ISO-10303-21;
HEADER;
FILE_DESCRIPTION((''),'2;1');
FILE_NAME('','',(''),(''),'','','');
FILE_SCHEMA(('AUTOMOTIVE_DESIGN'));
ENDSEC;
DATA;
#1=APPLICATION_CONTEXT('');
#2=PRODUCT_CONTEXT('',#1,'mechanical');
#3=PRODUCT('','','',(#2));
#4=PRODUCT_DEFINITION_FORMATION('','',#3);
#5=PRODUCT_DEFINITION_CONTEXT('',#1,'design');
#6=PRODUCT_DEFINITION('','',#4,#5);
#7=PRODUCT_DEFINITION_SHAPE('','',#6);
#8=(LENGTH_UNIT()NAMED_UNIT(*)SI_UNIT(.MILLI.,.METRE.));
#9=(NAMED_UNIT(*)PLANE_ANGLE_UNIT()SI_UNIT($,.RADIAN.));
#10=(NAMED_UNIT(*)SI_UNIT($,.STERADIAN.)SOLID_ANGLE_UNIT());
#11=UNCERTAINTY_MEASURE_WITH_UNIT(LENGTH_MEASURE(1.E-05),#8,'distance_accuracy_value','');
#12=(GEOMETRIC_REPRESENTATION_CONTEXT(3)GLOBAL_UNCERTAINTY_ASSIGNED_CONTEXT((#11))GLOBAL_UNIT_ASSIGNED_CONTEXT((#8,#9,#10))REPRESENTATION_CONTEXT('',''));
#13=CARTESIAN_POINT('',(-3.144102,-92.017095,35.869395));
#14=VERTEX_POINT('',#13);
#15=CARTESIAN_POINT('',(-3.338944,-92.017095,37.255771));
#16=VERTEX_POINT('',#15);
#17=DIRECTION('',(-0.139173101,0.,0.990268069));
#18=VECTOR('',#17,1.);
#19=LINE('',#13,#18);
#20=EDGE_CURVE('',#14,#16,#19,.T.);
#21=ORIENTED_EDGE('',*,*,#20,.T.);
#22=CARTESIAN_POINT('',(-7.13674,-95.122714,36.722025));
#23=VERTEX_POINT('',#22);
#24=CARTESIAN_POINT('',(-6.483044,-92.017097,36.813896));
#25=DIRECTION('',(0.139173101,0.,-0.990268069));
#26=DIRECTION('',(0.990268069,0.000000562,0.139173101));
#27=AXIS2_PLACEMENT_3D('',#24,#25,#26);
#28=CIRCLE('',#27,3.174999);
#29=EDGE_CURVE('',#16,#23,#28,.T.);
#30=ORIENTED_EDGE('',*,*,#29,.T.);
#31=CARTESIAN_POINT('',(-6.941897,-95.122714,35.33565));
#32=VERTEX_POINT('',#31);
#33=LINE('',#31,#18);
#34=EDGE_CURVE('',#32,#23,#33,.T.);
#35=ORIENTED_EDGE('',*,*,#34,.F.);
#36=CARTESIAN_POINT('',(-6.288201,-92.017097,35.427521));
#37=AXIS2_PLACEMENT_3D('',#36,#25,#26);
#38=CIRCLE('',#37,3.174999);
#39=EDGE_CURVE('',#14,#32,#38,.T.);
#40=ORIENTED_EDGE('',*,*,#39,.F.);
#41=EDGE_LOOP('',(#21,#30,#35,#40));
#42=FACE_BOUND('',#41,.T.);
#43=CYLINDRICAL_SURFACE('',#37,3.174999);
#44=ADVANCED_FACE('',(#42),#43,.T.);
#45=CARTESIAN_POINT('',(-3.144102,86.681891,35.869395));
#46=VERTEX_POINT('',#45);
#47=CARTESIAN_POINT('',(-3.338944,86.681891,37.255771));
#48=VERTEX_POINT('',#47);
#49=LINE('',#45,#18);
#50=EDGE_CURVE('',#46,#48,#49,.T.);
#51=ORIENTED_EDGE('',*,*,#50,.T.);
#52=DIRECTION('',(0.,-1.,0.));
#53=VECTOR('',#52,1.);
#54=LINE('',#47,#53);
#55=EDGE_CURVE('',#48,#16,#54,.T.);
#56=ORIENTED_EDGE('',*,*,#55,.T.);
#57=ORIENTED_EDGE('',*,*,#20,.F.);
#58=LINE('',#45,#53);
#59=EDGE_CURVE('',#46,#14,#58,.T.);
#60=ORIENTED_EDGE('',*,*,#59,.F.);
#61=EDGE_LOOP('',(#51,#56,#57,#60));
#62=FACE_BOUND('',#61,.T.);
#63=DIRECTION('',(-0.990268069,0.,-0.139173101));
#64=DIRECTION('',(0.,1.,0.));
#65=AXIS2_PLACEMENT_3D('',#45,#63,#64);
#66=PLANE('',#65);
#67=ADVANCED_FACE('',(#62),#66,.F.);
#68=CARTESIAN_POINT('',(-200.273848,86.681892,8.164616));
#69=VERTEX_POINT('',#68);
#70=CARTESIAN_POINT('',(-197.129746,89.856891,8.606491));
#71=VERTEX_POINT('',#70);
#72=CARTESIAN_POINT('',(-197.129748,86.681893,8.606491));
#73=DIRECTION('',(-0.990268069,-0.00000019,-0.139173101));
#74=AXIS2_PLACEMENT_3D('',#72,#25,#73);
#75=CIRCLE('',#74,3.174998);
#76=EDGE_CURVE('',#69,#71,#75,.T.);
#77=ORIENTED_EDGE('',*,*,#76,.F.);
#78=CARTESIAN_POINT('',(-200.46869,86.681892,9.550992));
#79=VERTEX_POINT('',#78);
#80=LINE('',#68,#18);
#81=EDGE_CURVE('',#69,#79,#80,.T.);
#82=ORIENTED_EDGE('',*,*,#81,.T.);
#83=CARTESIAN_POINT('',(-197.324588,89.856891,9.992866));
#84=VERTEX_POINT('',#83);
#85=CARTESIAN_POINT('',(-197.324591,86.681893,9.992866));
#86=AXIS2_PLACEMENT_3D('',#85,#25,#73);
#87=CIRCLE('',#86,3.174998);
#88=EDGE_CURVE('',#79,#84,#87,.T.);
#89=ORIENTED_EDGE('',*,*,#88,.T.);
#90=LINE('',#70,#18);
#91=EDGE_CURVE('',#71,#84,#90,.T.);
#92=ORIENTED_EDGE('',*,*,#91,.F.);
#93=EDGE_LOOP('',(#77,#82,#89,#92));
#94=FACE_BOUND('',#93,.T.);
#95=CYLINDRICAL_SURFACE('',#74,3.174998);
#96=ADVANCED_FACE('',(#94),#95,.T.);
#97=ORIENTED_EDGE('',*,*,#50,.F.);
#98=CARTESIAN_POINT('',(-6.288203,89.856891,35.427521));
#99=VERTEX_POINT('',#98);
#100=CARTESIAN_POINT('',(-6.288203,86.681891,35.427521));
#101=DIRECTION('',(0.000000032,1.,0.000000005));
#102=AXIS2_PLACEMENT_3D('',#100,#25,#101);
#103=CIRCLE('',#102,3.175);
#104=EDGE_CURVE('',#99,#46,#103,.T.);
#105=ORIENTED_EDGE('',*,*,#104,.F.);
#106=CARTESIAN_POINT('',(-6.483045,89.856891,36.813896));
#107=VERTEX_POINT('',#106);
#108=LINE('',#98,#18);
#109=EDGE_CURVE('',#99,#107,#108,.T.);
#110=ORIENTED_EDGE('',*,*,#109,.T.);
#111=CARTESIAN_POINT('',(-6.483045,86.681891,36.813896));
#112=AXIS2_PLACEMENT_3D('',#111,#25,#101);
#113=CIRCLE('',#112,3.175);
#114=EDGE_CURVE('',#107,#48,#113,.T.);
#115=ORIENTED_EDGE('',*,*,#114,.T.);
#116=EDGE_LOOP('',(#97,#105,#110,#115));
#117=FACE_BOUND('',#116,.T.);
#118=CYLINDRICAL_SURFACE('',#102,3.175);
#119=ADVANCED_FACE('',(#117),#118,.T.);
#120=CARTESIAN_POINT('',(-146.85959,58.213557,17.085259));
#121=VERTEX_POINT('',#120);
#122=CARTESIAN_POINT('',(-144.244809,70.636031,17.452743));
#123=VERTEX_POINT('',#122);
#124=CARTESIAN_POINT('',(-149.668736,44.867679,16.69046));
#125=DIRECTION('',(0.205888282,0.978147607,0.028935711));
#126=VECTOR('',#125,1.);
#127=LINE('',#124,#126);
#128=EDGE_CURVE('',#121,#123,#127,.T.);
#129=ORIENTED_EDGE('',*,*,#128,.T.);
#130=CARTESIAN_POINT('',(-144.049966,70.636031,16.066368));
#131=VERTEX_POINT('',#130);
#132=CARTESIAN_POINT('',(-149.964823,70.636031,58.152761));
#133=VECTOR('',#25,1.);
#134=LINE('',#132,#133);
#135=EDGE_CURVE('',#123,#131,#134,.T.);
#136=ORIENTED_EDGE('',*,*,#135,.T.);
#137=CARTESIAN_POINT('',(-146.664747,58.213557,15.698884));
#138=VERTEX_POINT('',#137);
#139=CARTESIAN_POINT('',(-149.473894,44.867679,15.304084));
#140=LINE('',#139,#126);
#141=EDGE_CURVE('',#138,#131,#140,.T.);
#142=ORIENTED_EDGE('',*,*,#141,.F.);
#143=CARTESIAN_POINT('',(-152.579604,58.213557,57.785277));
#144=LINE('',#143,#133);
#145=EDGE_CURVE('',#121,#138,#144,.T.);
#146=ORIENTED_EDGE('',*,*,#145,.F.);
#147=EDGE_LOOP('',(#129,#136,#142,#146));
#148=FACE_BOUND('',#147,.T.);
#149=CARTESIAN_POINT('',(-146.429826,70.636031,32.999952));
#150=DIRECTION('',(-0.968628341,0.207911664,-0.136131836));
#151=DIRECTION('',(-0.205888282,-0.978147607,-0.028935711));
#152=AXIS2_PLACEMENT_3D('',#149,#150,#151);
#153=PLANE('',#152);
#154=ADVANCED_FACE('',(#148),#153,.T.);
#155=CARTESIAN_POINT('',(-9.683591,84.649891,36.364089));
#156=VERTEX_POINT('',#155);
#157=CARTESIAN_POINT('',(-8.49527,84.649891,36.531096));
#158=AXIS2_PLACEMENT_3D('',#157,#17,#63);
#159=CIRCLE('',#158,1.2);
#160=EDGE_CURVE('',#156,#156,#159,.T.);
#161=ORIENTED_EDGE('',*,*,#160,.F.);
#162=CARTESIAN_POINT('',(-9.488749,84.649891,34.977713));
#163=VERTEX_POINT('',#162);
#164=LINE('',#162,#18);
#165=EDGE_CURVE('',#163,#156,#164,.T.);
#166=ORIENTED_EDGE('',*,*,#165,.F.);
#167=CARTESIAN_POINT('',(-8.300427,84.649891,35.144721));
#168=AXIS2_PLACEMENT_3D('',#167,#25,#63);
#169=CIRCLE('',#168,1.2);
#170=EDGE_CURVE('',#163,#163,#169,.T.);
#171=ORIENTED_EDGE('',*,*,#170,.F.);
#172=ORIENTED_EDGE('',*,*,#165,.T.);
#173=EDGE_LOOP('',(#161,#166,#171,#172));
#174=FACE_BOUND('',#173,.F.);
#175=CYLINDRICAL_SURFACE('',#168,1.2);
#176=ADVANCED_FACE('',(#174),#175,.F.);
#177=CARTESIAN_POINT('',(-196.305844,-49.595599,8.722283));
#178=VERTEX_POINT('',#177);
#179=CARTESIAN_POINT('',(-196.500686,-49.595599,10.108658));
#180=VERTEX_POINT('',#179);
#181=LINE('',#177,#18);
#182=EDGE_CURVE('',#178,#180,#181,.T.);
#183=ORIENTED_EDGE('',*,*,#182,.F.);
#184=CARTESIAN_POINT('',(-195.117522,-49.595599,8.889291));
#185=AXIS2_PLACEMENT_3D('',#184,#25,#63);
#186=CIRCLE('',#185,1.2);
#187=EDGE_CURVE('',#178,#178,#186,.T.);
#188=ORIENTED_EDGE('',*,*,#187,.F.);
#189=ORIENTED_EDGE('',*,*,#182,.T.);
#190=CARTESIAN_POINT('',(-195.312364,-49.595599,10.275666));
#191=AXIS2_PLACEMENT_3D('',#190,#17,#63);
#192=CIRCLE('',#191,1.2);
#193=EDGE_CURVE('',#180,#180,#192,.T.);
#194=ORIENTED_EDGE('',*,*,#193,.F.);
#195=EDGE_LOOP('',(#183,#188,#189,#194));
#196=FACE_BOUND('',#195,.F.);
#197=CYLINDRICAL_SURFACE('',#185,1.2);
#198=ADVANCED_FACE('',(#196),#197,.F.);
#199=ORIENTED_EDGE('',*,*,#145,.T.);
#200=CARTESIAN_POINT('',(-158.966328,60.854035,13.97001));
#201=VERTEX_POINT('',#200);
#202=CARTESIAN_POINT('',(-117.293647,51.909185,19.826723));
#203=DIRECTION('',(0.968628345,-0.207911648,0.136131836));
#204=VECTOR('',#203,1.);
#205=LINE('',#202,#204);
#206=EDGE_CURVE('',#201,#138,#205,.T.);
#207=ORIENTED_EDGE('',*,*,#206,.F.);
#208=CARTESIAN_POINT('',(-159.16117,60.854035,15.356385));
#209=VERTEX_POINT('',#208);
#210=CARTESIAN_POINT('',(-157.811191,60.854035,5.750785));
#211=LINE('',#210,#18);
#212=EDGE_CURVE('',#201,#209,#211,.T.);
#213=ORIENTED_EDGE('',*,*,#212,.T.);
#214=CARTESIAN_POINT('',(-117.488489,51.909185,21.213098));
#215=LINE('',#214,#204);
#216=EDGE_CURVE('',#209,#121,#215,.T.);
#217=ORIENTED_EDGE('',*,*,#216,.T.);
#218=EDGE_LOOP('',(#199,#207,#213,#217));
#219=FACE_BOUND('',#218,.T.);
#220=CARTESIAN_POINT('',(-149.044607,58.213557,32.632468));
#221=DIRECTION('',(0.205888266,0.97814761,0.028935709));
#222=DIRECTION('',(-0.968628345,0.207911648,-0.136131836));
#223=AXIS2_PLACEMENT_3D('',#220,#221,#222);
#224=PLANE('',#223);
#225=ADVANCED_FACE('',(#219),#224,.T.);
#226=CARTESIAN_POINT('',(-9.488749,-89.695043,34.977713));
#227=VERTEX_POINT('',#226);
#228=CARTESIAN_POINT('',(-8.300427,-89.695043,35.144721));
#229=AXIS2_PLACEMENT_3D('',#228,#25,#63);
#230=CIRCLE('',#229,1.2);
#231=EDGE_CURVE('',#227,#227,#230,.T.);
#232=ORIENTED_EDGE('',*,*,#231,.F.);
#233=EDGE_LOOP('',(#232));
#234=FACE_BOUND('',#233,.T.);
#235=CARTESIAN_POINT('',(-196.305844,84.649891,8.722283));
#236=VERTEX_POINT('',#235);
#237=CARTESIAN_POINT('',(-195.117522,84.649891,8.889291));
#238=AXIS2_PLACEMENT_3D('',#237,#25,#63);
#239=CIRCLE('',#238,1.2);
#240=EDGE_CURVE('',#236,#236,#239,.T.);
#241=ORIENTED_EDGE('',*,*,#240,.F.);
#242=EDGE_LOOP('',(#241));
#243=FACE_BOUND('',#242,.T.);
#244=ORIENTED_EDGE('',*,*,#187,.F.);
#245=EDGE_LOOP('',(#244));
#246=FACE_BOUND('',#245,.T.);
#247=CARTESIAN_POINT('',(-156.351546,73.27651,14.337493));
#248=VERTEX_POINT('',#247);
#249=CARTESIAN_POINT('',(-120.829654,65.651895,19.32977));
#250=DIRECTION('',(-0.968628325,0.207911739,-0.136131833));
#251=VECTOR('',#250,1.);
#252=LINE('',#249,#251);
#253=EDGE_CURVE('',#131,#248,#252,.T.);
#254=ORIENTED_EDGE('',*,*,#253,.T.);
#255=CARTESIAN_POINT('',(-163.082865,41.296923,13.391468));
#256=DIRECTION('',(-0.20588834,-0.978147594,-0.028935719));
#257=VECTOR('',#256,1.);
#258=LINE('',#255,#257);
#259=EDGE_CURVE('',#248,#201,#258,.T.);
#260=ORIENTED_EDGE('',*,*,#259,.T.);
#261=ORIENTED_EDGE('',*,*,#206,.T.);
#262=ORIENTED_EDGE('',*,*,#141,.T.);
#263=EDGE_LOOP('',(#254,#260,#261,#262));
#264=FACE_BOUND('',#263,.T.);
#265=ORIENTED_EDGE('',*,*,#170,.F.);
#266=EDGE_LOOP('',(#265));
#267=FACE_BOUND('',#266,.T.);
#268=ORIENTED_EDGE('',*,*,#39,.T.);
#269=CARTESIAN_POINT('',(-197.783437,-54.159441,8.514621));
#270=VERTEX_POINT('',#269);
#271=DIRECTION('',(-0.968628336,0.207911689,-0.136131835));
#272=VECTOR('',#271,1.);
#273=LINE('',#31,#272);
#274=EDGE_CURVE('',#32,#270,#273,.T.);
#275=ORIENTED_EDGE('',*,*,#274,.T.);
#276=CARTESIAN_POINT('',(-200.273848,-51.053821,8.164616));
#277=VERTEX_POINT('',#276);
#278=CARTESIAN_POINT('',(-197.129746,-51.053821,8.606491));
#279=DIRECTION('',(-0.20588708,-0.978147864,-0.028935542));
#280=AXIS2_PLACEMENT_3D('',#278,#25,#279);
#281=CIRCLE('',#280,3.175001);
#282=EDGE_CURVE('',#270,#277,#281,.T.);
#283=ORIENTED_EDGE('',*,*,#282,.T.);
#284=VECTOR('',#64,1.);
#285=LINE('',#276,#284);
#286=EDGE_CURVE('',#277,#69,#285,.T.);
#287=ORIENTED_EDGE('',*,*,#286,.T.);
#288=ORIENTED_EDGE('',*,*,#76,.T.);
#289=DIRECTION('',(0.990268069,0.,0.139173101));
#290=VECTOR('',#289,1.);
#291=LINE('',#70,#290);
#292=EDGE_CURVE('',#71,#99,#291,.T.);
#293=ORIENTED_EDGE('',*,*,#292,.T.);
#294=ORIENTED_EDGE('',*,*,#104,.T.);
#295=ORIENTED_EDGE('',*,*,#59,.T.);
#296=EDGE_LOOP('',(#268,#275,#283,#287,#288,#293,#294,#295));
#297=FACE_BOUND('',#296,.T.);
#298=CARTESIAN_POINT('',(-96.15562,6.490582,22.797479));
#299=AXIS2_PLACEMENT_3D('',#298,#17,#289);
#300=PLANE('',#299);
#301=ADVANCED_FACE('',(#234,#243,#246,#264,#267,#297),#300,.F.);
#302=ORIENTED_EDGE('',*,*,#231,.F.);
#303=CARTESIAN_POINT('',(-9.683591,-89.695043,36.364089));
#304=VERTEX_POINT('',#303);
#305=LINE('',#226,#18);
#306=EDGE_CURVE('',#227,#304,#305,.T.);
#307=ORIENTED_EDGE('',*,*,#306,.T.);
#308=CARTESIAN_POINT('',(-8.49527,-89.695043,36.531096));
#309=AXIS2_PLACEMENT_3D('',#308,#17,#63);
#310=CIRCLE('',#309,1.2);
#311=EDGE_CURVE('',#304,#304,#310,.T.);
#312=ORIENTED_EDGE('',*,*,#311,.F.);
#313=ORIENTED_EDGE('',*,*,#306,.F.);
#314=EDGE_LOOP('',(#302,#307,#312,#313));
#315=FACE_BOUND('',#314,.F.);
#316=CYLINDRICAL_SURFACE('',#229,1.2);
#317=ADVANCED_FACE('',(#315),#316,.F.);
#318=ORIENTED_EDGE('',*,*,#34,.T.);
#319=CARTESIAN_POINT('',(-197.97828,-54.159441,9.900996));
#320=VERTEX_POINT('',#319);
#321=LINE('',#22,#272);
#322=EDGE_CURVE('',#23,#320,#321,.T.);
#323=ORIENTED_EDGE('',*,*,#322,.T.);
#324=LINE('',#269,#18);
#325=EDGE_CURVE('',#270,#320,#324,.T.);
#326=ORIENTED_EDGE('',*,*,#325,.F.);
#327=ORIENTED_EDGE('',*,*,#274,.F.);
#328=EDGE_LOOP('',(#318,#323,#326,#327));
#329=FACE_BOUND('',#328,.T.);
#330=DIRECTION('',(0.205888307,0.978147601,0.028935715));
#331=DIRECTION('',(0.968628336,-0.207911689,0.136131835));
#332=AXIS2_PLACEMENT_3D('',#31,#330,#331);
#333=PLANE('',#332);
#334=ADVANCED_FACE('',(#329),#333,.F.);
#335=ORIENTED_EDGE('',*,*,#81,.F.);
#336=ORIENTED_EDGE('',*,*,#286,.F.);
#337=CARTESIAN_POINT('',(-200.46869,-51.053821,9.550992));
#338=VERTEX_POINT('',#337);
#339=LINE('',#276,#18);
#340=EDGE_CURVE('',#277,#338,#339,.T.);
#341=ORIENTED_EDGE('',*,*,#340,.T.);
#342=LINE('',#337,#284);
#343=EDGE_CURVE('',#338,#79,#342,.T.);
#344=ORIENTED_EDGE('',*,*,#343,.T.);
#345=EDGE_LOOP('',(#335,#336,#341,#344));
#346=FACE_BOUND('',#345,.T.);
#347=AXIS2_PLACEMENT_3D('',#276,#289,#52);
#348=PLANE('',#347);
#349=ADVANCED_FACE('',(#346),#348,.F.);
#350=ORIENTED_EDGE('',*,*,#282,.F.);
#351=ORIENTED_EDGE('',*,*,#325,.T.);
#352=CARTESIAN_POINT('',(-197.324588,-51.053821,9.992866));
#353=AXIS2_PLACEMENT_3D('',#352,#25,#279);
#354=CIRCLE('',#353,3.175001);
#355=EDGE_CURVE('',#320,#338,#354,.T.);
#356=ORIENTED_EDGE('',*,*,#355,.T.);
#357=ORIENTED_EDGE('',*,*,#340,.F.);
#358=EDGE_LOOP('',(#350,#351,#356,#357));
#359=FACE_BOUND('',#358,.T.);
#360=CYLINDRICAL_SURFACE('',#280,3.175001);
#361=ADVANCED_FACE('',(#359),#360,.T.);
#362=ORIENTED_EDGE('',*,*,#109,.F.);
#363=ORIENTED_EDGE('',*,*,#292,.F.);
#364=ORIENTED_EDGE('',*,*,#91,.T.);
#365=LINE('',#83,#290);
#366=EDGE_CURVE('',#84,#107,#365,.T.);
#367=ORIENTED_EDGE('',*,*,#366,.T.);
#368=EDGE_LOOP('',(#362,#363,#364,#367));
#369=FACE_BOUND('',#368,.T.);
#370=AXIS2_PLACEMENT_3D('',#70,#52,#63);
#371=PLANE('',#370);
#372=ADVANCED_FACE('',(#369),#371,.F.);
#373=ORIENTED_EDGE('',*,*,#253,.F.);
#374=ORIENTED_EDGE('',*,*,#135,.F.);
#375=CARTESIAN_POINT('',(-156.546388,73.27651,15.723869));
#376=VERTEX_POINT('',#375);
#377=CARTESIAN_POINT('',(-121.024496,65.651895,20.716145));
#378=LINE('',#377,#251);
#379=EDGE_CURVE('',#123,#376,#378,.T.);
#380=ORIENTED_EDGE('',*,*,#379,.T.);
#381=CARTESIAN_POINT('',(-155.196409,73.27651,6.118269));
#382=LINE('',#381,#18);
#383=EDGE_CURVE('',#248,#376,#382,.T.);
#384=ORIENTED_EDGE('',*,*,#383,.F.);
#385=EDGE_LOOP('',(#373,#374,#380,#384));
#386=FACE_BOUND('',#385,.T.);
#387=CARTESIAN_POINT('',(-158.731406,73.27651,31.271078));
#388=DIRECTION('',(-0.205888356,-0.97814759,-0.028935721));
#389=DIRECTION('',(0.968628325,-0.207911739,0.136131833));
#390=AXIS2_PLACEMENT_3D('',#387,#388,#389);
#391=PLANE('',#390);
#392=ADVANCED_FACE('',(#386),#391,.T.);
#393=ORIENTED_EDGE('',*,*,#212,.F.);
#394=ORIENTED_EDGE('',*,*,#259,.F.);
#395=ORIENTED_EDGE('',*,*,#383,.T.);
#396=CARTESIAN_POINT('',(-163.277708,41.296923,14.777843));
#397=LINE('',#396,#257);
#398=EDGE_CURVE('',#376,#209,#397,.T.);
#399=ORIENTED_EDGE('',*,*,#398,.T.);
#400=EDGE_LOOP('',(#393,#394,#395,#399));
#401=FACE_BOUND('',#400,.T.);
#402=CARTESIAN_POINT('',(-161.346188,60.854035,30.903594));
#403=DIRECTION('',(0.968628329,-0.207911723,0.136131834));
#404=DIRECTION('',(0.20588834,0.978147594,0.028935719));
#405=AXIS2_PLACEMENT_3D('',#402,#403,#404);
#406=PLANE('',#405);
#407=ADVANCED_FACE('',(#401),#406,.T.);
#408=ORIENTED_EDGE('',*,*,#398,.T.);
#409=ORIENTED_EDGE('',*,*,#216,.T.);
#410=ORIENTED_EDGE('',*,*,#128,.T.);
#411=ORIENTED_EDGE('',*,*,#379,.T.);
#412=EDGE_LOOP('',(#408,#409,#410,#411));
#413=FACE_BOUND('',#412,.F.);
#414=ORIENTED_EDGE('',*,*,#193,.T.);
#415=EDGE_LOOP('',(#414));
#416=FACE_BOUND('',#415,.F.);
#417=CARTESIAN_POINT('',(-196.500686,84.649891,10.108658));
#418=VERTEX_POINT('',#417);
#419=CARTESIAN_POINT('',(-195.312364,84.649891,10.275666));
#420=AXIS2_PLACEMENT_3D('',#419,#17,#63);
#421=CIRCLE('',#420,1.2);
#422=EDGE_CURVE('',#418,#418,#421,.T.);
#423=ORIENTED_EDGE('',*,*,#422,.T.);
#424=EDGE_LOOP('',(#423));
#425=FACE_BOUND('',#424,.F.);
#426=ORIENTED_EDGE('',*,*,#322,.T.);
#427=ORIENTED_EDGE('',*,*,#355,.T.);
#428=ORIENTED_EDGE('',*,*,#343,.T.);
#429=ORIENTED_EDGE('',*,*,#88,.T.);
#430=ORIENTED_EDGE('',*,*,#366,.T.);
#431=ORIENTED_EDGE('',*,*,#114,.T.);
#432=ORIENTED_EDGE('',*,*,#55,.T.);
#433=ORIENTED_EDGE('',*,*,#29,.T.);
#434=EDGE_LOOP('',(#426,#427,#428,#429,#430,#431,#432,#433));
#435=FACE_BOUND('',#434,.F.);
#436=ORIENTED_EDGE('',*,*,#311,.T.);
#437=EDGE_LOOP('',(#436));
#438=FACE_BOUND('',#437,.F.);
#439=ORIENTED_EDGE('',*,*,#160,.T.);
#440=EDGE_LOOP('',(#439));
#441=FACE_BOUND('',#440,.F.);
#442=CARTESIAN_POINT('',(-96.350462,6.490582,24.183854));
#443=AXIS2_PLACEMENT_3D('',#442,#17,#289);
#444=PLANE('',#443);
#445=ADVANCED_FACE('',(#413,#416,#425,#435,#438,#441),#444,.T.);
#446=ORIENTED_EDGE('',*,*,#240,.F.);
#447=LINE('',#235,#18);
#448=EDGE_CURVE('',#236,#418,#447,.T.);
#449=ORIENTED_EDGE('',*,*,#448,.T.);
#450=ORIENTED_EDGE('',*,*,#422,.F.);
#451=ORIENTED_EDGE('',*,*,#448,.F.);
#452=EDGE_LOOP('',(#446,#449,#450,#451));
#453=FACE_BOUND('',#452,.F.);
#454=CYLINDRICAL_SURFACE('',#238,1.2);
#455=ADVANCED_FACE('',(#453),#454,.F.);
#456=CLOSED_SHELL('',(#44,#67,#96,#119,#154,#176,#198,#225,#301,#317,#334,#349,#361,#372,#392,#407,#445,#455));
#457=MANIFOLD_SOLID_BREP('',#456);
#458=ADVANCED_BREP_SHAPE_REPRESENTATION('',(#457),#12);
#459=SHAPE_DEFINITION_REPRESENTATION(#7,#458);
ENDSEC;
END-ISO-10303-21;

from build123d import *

# Parameters (mm, degrees)
EXTRUDE018_DEPTH                          = 25.4
EXTRUDE018_ONTO_SKETCH024_PLACEMENT_ANGLE = 8
SKETCH018_AS_DRAWN_R                      = 1.2
EXTRUDE009_DEPTH                          = 7.8
EXTRUDE009_ONTO_SKETCH018_PLACEMENT_ANGLE = 8
EXTRUDE010_DEPTH                          = 1.4
EXTRUDE010_ONTO_SKETCH019_PLACEMENT_ANGLE = 8


with BuildPart() as reset_switch_hole:
    # Sketch024 as drawn → Extrude018 (new, symmetric)
    with BuildSketch(Plane.XY):
        Polygon((-152.83455, 73.27651), (-140.412076, 70.636031), (-143.052554, 58.213557), (-155.475029, 60.854035), align=None)
    extrude(amount=EXTRUDE018_DEPTH, both=True)


with BuildPart() as reset_switch_hole_1:
    # Extrude018 onto Sketch024 placement: moved
    add(reset_switch_hole.part.moved(Location((-7.384231, 0, 52.541536))).rotate(Axis((-7.384231, 0, 52.541536), (0, -1, 0)), EXTRUDE018_ONTO_SKETCH024_PLACEMENT_ANGLE))


with BuildPart() as screw_hole_cuts:
    # Sketch018 as drawn → Extrude009 (new)
    with BuildSketch(Plane.XY):
        with Locations((-31.998318, 84.649891)):
            Circle(SKETCH018_AS_DRAWN_R)
        with Locations((-31.998318, -89.695043)):
            Circle(SKETCH018_AS_DRAWN_R)
        with Locations((156.654735, -49.595599)):
            Circle(SKETCH018_AS_DRAWN_R)
        with Locations((156.654735, 84.649891)):
            Circle(SKETCH018_AS_DRAWN_R)
    extrude(amount=EXTRUDE009_DEPTH)


with BuildPart() as screw_hole_cuts_1:
    # Extrude009 onto Sketch018 placement: moved
    add(screw_hole_cuts.part.moved(Location((39.98734, 0, 30.691416))).rotate(Axis((39.98734, 0, 30.691416), (0, 1, 0)), EXTRUDE009_ONTO_SKETCH018_PLACEMENT_ANGLE))


with BuildPart() as right_plate_solid_w_screw_holes:
    # Sketch019 as drawn → Extrude010 (new)
    with BuildSketch(Plane.XY):
        with BuildLine():
            Line((-37.205318, 86.681891), (-37.205318, -92.017095))
            ThreePointArc((-37.205318, -92.017095), (-36.028411, -94.484534), (-33.370199, -95.122714))
            Line((-33.370199, -95.122714), (159.34685, -54.159441))
            ThreePointArc((159.34685, -54.159441), (161.154172, -53.051915), (161.861735, -51.053821))
            Line((161.861735, -51.053821), (161.861735, 86.681892))
            ThreePointArc((161.861735, 86.681892), (160.931799, 88.926956), (158.686734, 89.856891))
            Line((158.686734, 89.856891), (-34.030318, 89.856891))
            ThreePointArc((-34.030318, 89.856891), (-36.275382, 88.926955), (-37.205318, 86.681891))
        make_face()
    extrude(amount=EXTRUDE010_DEPTH)


with BuildPart() as right_plate_solid_w_screw_holes_1:
    # Extrude010 onto Sketch019 placement: moved
    add(right_plate_solid_w_screw_holes.part.moved(Location((39.98734, 0, 30.691416))).rotate(Axis((39.98734, 0, 30.691416), (0, 1, 0)), EXTRUDE010_ONTO_SKETCH019_PLACEMENT_ANGLE))

    # Cut002: cut Screw Hole Cuts
    add(screw_hole_cuts_1.part, mode=Mode.SUBTRACT)


with BuildPart() as cut011:
    # Part__Mirroring003: instance of Right Plate Solid w/ Screw Holes
    add(right_plate_solid_w_screw_holes_1.part.mirror(Plane(origin=(0, 0, 0), x_dir=(0, -1, 0), z_dir=(1, 0, 0))))

    # Cut011: cut Reset Switch Hole
    add(reset_switch_hole_1.part, mode=Mode.SUBTRACT)


solid = cut011.part
